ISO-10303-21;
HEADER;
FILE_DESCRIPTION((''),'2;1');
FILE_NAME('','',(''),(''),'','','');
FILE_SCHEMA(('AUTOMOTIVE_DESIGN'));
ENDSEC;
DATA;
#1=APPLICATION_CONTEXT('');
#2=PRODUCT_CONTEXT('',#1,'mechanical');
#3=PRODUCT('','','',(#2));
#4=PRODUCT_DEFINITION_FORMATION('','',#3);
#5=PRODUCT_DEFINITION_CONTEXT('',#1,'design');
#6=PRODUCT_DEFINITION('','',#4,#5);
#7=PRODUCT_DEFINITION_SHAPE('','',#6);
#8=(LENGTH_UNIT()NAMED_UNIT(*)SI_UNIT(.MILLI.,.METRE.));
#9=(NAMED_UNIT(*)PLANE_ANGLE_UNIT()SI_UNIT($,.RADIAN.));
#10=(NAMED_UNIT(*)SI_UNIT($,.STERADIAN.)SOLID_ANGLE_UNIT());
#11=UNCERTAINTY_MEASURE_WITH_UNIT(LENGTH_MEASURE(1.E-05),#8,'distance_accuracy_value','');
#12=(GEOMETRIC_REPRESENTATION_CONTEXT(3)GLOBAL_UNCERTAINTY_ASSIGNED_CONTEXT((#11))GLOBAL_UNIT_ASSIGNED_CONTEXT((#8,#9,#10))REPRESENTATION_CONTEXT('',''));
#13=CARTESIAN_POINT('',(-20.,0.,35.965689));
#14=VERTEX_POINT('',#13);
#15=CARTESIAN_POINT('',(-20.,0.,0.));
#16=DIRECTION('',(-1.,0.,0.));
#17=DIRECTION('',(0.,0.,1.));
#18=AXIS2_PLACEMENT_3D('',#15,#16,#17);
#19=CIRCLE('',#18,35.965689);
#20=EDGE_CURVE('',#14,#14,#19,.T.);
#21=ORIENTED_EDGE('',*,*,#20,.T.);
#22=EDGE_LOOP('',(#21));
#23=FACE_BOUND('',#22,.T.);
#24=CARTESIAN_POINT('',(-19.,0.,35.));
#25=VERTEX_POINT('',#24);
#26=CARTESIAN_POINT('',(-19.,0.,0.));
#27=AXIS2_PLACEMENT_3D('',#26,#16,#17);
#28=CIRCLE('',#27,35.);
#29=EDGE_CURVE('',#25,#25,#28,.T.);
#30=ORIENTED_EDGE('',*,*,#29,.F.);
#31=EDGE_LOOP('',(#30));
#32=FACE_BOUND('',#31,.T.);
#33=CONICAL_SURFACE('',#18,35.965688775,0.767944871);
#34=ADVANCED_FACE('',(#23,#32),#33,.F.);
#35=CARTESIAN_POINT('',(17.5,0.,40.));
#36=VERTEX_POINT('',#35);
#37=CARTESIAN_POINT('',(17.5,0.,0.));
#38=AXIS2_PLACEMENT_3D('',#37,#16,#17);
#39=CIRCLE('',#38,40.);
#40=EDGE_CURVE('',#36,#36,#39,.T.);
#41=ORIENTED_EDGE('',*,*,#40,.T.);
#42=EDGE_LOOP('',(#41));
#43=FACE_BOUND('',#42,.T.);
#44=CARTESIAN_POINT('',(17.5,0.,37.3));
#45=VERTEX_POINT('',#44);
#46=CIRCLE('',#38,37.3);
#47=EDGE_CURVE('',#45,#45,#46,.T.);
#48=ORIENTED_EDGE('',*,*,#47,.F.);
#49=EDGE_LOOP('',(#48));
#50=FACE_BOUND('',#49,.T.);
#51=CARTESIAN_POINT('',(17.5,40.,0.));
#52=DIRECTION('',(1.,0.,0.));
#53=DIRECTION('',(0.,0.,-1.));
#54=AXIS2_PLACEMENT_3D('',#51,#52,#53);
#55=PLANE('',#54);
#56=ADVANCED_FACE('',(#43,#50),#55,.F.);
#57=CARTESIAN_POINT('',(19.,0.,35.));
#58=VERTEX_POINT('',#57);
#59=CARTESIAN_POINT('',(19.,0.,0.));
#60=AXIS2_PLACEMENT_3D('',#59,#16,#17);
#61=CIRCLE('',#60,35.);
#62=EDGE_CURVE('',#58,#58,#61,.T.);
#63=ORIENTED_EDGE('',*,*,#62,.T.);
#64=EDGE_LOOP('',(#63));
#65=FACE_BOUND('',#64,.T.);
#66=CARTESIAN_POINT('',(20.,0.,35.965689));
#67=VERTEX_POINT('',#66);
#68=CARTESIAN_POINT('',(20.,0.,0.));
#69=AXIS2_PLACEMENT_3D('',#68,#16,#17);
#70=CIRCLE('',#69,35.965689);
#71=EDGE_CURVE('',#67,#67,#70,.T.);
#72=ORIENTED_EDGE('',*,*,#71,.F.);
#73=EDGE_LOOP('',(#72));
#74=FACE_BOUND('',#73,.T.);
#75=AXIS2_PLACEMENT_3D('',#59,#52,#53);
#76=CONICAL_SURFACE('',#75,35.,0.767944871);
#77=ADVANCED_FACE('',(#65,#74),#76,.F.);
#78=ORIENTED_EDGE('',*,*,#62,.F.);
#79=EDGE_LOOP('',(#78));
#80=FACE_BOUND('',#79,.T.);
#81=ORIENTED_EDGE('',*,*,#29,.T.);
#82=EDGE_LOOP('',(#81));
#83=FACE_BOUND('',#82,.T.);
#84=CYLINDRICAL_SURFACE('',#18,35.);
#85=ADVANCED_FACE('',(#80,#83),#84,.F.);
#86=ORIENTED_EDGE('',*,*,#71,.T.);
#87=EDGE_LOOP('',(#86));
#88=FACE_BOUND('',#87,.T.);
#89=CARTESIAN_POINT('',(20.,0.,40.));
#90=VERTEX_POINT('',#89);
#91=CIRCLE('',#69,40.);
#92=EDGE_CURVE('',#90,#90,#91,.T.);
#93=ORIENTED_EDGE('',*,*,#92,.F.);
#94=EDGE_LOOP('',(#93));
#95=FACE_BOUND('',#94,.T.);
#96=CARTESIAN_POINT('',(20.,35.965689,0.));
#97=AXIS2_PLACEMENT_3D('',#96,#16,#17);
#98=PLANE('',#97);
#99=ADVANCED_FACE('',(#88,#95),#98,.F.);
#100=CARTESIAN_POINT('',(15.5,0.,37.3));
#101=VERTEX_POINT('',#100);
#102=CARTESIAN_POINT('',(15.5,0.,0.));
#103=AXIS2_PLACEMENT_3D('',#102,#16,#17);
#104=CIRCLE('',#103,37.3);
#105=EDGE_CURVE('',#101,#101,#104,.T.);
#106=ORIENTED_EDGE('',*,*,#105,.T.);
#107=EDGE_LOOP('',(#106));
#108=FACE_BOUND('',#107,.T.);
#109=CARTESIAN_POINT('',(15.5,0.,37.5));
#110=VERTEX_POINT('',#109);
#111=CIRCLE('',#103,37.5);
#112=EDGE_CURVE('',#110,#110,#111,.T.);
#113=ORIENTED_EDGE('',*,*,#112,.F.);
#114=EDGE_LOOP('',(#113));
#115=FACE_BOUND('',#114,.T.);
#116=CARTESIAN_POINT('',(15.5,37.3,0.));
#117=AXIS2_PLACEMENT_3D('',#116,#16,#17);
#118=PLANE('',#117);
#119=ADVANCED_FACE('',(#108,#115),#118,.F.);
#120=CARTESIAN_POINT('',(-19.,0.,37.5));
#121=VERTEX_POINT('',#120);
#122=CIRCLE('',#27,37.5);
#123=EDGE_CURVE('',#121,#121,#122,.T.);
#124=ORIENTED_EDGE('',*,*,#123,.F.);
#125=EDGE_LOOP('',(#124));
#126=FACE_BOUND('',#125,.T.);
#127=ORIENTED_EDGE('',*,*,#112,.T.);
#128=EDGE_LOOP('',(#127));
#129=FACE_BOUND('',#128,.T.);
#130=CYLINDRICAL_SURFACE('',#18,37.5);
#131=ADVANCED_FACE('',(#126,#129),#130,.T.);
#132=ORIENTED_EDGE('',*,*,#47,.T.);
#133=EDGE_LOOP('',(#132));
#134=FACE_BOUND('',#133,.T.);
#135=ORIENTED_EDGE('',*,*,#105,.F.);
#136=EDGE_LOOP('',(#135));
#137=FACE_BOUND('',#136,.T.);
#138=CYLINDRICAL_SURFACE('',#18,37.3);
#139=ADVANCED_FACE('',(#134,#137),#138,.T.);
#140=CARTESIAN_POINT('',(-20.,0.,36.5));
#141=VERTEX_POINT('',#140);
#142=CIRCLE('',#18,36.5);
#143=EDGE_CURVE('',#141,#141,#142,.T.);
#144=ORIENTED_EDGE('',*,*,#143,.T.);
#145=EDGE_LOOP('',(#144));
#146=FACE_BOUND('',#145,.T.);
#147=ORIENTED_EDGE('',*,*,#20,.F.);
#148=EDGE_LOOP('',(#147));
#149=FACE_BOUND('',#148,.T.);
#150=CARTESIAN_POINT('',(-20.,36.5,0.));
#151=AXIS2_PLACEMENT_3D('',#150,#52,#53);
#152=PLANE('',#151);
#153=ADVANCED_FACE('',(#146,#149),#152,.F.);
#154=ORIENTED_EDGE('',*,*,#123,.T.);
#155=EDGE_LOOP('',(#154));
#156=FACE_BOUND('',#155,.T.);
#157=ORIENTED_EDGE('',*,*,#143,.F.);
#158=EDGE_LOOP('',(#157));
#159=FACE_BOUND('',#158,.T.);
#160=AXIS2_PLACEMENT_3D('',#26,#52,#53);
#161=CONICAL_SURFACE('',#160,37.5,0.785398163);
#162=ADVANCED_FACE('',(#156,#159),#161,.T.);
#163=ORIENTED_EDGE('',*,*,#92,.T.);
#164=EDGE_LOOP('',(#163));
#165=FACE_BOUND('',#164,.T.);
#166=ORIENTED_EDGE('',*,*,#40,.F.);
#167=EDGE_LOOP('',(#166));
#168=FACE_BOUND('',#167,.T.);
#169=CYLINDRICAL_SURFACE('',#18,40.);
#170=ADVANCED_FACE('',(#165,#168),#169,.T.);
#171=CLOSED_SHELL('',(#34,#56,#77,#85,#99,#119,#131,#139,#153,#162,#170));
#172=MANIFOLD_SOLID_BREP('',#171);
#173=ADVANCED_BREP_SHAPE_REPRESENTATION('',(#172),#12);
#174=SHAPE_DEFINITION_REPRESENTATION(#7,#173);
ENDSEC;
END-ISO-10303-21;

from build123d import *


with BuildPart() as part:
    # Sketch 181 → 旋转1 (revolve)
    with BuildSketch(Plane.XY, mode=Mode.PRIVATE) as revolve_1_sk:
        Polygon((-20, 35.965688775), (-19, 35), (19, 35), (20, 35.965688775), (20, 40), (17.5, 40), (17.5, 37.3), (15.5, 37.3), (15.5, 37.5), (-19, 37.5), (-20, 36.5), align=None)
    revolve(revolve_1_sk.sketch.rotate(Axis((-20, 0, 0), (1, 0, 0)), 90), axis=Axis((-20, 0, 0), (1, 0, 0)))


solid = part.part
